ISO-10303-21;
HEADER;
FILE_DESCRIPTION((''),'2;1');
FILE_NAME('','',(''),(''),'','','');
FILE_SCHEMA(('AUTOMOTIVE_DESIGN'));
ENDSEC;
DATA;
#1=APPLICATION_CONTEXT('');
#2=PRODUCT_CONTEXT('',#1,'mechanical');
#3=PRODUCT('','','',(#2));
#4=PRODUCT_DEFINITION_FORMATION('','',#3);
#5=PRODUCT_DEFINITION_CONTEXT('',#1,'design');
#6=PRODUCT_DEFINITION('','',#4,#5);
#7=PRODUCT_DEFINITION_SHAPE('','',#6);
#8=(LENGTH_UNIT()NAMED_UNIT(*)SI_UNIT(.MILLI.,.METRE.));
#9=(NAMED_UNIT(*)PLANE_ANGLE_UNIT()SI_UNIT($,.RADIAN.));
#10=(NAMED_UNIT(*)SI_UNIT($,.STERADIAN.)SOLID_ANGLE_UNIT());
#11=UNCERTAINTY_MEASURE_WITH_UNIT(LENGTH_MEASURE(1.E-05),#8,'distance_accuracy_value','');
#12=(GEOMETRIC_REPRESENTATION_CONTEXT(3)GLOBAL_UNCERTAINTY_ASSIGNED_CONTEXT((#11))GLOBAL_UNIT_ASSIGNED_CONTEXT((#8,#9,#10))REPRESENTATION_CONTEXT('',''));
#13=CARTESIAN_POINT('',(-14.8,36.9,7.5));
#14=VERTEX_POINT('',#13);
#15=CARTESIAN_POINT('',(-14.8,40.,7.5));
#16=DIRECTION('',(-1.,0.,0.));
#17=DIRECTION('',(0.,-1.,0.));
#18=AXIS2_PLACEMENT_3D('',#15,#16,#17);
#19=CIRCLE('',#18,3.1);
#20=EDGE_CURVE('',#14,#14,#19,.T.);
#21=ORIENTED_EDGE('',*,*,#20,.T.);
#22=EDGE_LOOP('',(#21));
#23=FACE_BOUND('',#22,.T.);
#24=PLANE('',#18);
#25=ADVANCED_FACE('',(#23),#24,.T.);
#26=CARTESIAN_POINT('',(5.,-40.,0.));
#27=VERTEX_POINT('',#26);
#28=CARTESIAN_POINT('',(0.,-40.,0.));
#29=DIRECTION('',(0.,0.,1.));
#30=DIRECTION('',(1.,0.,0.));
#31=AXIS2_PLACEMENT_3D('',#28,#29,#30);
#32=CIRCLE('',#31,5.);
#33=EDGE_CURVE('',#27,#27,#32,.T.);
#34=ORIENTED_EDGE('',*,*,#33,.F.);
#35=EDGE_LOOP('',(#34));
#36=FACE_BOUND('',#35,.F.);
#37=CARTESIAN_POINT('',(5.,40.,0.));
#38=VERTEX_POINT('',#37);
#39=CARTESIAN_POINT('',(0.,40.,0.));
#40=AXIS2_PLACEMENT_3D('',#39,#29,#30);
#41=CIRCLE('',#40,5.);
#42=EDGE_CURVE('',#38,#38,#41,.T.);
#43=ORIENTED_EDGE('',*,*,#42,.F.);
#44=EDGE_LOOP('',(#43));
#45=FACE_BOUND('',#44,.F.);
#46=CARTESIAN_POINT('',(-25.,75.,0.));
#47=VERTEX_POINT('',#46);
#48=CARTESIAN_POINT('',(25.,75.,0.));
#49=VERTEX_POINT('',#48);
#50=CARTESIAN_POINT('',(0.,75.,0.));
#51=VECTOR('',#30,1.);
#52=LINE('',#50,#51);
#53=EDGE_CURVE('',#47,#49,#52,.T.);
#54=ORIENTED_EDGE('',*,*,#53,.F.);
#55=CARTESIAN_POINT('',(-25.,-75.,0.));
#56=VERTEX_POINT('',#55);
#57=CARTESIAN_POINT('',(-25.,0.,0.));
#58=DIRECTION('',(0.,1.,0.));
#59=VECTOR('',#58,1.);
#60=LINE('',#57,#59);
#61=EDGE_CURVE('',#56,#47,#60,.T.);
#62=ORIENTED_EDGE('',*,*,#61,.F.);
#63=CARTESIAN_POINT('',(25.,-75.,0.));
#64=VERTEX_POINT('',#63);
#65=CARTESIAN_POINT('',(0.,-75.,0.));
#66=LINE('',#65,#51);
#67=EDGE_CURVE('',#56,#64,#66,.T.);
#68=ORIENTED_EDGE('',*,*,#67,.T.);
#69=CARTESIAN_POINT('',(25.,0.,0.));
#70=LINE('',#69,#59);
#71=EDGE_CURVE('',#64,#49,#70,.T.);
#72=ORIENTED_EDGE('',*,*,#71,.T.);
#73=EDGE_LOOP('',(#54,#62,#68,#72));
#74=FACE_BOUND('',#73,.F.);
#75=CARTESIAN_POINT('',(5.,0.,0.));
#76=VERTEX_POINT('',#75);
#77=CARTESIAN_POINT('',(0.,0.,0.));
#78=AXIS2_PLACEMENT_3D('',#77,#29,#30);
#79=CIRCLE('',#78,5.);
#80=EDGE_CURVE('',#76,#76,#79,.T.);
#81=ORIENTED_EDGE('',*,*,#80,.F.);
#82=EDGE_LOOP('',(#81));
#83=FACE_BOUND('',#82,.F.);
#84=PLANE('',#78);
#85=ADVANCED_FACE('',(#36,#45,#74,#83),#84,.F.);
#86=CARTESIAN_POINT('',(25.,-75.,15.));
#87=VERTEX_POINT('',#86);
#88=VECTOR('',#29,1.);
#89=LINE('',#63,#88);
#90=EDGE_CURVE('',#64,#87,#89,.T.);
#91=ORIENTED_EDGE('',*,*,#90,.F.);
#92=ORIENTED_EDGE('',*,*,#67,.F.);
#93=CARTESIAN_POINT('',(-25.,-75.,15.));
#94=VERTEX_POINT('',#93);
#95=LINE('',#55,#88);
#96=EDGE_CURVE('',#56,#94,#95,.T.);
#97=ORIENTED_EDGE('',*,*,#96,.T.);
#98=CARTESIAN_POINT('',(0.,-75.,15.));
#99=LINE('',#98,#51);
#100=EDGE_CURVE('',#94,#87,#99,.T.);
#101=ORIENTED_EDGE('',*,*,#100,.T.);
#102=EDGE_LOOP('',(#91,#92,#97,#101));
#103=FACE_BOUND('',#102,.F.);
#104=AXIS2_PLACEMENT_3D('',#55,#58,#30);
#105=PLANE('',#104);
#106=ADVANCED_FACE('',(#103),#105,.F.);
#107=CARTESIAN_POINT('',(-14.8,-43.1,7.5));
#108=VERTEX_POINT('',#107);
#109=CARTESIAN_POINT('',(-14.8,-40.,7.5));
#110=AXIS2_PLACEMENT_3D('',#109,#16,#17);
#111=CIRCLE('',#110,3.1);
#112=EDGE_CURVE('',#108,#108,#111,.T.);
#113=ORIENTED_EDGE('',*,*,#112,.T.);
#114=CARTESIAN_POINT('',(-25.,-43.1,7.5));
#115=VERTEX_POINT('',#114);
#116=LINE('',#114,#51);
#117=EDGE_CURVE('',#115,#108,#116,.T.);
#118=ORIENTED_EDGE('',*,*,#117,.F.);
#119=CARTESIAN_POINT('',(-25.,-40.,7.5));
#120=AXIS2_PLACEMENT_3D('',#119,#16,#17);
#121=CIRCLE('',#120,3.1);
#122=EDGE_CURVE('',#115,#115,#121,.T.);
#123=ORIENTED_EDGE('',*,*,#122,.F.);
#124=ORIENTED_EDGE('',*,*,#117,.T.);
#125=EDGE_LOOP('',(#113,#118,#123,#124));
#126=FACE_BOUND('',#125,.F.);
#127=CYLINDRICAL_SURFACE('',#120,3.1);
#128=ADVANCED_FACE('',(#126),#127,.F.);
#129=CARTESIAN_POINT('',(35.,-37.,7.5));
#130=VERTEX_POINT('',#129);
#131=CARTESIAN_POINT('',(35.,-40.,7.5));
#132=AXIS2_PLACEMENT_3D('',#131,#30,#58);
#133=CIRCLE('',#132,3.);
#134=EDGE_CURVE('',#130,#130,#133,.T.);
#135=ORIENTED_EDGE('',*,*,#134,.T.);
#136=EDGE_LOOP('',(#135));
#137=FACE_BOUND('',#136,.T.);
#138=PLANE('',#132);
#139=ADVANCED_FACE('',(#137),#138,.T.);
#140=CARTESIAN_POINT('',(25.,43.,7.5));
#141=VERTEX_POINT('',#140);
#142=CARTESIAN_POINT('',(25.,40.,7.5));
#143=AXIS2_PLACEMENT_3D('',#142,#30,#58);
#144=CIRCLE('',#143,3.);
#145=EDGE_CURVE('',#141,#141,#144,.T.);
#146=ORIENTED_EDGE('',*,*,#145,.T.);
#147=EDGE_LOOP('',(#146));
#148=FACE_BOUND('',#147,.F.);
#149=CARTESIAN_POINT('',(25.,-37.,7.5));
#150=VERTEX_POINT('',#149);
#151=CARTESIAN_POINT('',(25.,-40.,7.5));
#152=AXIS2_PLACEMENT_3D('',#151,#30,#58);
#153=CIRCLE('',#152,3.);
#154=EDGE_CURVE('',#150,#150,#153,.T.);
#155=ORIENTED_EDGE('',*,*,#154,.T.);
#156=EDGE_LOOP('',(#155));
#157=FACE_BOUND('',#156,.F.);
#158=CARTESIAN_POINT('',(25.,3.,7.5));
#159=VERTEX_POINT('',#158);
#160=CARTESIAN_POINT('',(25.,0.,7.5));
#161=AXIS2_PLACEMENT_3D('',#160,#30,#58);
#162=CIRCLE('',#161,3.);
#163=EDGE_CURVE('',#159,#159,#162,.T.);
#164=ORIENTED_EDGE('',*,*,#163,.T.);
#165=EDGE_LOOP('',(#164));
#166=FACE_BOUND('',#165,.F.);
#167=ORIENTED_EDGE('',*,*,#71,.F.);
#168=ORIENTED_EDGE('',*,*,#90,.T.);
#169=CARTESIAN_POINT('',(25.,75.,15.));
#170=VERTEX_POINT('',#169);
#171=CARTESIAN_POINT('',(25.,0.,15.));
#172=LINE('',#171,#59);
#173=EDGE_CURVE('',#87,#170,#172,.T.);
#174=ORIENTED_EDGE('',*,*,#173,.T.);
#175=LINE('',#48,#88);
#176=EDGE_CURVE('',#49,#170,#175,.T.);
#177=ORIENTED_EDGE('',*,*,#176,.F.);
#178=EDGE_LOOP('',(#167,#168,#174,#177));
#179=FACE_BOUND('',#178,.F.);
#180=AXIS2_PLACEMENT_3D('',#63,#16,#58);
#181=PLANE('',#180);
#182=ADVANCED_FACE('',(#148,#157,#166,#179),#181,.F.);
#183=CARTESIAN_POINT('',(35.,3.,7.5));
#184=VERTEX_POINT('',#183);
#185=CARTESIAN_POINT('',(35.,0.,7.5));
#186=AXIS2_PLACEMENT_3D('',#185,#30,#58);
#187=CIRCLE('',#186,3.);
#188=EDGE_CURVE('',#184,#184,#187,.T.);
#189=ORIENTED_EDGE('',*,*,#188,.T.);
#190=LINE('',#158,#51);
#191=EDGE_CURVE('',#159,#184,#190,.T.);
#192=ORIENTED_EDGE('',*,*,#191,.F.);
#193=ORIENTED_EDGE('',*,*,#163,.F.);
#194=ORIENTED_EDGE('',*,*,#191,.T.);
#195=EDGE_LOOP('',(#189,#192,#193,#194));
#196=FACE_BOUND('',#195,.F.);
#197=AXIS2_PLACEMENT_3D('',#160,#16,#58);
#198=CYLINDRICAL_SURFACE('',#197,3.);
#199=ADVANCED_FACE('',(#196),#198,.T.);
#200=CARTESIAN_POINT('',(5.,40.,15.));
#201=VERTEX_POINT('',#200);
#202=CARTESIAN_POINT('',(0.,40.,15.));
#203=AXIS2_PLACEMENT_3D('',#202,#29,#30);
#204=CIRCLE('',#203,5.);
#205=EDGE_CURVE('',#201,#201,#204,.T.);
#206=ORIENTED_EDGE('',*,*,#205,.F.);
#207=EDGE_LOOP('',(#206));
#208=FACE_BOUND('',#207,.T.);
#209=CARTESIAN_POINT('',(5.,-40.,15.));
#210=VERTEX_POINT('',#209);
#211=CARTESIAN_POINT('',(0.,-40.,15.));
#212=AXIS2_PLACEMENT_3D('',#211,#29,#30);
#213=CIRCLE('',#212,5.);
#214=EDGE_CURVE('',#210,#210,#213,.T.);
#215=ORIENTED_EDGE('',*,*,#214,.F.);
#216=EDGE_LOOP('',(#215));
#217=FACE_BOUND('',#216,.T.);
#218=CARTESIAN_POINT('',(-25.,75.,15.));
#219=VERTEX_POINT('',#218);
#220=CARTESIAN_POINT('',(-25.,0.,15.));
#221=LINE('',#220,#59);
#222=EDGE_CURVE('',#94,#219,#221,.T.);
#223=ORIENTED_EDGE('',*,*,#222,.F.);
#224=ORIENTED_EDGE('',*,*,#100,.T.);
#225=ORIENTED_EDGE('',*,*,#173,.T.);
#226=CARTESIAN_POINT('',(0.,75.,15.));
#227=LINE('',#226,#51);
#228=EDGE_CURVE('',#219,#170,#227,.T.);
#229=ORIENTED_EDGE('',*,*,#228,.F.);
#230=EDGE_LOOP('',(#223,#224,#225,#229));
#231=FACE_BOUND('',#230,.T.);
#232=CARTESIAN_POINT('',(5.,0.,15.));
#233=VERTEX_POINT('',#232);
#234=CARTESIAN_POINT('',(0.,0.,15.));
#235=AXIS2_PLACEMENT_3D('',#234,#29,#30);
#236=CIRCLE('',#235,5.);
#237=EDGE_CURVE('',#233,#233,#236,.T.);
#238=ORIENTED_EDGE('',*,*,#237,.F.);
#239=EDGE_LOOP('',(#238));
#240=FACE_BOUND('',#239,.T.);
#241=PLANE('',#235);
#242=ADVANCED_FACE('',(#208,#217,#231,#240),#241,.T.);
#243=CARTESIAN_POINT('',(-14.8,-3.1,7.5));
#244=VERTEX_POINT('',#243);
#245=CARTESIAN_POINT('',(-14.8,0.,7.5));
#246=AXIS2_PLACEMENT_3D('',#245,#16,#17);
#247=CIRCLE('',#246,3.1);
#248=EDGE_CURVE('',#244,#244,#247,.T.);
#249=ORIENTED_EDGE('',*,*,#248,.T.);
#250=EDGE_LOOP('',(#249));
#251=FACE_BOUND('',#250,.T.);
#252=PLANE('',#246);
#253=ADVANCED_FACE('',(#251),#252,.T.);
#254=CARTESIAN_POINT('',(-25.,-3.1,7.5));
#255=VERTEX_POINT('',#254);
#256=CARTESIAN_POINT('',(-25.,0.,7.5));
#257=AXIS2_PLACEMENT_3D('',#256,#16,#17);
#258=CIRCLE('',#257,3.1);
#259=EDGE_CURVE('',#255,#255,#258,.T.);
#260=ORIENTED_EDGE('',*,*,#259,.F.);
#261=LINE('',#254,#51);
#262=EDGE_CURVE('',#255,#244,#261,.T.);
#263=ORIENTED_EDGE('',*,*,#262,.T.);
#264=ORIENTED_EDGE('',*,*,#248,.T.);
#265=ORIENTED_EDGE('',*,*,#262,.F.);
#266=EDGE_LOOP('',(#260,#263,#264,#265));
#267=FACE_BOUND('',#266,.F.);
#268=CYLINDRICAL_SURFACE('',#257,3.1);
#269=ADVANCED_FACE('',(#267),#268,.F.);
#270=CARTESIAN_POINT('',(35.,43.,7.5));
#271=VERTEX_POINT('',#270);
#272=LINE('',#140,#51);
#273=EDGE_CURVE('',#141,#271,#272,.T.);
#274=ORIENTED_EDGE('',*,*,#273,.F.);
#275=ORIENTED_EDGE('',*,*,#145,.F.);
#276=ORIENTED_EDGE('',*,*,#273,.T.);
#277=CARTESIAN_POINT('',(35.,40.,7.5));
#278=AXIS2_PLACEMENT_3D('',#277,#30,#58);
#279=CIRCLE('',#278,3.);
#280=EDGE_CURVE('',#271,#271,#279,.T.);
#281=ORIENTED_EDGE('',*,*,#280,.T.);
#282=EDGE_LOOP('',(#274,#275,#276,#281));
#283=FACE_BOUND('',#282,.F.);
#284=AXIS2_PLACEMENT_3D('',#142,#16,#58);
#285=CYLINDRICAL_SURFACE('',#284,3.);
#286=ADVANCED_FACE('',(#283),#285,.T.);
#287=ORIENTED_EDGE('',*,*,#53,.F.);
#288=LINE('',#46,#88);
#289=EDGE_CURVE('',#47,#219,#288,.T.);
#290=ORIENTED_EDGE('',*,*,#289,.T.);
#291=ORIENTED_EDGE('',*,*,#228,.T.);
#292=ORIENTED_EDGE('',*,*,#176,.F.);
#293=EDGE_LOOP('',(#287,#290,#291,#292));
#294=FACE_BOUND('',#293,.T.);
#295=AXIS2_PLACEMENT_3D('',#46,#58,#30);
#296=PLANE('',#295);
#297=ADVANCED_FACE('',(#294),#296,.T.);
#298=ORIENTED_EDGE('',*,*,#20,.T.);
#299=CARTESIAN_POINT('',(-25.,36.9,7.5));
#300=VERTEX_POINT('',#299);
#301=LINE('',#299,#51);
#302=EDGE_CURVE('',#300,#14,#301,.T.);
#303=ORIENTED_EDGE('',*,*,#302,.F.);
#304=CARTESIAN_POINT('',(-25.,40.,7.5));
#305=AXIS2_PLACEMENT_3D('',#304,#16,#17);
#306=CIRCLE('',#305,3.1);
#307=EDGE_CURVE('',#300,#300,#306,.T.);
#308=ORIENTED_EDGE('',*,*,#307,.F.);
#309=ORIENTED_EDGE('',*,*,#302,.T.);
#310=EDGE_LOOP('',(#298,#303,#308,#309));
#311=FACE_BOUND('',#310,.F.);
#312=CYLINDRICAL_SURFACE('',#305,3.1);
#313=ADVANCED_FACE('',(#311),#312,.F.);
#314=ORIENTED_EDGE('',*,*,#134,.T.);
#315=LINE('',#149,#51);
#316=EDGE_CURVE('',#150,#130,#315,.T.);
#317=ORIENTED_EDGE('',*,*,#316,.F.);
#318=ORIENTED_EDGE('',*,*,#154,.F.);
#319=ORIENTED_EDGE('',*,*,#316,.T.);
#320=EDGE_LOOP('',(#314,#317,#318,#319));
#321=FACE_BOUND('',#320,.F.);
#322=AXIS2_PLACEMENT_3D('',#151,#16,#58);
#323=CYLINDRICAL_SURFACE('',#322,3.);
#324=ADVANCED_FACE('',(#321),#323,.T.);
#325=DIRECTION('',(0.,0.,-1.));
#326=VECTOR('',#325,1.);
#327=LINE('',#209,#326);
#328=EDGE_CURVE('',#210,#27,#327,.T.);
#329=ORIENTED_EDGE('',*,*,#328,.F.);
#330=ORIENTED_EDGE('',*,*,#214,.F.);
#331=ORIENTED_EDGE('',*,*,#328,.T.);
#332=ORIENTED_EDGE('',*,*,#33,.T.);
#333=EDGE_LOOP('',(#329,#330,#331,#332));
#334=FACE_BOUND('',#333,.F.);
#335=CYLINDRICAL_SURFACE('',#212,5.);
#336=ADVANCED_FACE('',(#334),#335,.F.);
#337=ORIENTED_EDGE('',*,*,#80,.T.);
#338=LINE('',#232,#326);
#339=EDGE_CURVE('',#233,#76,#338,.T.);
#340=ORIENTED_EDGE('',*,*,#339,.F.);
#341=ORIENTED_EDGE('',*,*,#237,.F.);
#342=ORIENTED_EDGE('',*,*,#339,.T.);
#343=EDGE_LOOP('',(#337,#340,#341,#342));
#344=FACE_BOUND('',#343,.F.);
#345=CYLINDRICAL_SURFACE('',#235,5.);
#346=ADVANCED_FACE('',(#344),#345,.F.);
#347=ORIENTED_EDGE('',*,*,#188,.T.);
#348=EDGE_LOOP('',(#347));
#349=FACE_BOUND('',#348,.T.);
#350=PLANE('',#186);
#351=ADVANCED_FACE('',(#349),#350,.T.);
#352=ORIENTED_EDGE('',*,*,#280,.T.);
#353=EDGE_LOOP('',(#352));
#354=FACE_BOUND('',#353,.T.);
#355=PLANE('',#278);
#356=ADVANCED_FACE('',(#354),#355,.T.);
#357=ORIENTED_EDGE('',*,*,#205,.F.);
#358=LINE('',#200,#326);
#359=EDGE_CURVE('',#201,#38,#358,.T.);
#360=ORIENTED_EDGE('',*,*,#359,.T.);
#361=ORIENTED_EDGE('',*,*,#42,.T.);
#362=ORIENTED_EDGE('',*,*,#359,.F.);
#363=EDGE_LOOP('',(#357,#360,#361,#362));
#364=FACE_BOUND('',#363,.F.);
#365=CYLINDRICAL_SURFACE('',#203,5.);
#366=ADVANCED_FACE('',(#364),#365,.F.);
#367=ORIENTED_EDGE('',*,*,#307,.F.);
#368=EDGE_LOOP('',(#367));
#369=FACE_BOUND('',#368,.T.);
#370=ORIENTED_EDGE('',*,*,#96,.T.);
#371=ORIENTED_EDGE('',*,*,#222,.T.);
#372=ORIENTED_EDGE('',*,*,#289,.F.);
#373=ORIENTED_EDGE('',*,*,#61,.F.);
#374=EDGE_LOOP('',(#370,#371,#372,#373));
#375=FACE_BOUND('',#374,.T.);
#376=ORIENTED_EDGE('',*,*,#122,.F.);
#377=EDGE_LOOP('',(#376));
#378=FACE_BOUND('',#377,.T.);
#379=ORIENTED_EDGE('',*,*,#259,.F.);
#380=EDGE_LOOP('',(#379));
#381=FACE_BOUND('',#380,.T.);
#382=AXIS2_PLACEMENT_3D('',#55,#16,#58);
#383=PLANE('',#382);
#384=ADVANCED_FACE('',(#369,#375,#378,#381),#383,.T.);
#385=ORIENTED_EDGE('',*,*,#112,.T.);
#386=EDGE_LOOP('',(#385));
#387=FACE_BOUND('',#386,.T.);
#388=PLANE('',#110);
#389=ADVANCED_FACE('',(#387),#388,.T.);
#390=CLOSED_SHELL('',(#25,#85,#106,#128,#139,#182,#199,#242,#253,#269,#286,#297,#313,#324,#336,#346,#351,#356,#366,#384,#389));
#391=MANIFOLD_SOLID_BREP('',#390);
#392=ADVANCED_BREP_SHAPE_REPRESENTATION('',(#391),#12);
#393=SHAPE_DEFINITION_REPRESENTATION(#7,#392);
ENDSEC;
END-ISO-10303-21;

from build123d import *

# Parameters (mm, degrees)
F0_W     = 50
F0_H     = 150
F1_DEPTH = 15
F2_R     = 5
F3_DEPTH = 25
F4_R     = 3
F5_DEPTH = 10
F6_R     = 3.1
F7_DEPTH = 10.2


with BuildPart() as f1:
    # F0 (on Top) → F1 (new body)
    with BuildSketch(Plane.XY):
        Rectangle(F0_W, F0_H)
    extrude(amount=F1_DEPTH)

    # F2 (on face) → F3 (cut)
    with BuildSketch(Plane.XY.offset(15)):
        with Locations((0, 40)):
            Circle(F2_R)
        Circle(F2_R)
        with Locations((0, -40)):
            Circle(F2_R)
    extrude(amount=-F3_DEPTH, mode=Mode.SUBTRACT)

    # F4 (on face) → F5 (join)
    with BuildSketch(Plane.YZ.offset(25)):
        with Locations((-40, 7.5)):
            Circle(F4_R)
        with Locations((0, 7.5)):
            Circle(F4_R)
        with Locations((40, 7.5)):
            Circle(F4_R)
    extrude(amount=F5_DEPTH)

    # F6 (on face) → F7 (cut)
    with BuildSketch(Plane(origin=(-25, 0, 0), x_dir=(0, -1, 0), z_dir=(-1, 0, 0))):
        with Locations((-40, 7.5)):
            Circle(F6_R)
        with Locations((0, 7.5)):
            Circle(F6_R)
        with Locations((40, 7.5)):
            Circle(F6_R)
    extrude(amount=-F7_DEPTH, mode=Mode.SUBTRACT)


solid = f1.part
